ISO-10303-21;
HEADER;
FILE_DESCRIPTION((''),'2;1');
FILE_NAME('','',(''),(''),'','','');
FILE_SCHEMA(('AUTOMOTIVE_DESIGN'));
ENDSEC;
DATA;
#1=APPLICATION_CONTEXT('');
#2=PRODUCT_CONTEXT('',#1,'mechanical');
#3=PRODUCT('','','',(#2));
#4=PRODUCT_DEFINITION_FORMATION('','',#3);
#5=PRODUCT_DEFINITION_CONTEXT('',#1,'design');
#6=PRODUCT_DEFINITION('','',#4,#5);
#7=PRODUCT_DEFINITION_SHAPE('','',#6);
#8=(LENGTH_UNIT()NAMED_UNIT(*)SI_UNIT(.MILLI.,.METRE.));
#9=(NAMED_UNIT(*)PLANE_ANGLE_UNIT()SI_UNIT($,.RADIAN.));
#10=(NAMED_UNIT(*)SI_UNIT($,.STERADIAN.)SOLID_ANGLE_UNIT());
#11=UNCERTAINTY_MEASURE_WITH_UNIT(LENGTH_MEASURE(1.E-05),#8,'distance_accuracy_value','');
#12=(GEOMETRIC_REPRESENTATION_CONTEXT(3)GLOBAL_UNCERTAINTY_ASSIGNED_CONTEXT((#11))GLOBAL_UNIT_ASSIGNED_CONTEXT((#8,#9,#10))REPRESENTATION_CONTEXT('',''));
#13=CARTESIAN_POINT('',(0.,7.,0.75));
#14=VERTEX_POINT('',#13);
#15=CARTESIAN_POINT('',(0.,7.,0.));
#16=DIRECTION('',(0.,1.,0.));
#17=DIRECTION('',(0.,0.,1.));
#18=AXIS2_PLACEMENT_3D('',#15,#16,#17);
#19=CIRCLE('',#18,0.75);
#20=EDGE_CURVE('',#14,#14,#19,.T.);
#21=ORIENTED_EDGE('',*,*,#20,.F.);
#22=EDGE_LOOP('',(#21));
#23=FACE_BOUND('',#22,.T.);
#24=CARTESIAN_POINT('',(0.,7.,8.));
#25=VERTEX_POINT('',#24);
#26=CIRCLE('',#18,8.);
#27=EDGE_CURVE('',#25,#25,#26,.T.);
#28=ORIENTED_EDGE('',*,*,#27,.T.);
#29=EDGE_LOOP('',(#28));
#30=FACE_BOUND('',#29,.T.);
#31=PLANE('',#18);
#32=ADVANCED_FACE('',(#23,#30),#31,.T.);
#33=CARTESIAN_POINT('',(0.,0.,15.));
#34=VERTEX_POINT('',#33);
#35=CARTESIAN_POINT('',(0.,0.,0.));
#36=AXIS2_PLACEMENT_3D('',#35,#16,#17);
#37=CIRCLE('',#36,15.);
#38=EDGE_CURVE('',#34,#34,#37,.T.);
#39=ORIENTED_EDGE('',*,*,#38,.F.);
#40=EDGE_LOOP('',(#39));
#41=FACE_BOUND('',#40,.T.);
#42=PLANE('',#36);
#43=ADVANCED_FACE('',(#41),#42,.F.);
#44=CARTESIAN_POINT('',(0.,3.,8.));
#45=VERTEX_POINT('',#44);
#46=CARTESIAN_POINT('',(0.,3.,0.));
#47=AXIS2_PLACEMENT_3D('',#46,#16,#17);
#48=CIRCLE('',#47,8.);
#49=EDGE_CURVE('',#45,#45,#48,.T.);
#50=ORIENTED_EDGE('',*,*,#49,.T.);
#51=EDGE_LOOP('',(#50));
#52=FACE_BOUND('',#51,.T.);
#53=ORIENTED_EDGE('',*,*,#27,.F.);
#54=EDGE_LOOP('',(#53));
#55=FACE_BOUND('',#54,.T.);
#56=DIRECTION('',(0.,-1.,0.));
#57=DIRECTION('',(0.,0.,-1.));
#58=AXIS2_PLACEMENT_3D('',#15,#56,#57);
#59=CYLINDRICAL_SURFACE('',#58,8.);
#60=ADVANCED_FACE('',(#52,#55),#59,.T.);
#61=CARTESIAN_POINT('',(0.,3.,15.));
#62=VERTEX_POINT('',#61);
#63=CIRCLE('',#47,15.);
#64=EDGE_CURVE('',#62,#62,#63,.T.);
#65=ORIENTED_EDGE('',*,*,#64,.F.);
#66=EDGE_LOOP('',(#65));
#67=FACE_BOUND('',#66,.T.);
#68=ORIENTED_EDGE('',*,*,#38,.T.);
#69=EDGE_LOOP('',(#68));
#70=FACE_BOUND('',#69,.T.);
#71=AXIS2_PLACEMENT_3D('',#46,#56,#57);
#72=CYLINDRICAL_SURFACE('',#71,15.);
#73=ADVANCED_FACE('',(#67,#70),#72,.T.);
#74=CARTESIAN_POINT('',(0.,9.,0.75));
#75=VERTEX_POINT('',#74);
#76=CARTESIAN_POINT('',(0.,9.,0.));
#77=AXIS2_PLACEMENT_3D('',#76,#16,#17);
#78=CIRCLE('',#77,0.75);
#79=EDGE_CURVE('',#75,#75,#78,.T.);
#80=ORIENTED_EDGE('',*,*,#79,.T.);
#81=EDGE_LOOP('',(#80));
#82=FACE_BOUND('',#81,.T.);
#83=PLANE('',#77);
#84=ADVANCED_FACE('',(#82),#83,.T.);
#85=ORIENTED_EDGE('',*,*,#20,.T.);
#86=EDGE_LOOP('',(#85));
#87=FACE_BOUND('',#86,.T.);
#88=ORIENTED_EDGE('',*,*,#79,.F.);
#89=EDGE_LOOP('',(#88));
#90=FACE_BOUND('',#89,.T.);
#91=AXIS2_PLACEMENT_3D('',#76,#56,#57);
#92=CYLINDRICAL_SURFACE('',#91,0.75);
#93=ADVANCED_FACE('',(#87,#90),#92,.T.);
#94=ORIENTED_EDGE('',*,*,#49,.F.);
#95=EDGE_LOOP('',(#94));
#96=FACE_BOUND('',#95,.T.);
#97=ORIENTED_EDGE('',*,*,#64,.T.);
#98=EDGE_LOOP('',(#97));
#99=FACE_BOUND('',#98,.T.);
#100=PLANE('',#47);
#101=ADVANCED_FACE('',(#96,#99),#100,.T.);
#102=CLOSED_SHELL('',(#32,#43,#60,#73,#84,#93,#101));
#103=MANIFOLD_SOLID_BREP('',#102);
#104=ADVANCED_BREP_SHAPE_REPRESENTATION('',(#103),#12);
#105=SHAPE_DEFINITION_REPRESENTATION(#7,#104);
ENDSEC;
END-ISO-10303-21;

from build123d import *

# Parameters (mm, degrees)
SKETCH_1_R      = 15
EXTRUDE_1_DEPTH = 3
SKETCH_2_R      = 8
EXTRUDE_2_DEPTH = 4
SKETCH_3_R      = 0.75
EXTRUDE_3_DEPTH = 2


with BuildPart() as part:
    # 草图1 → 凸台-拉伸1 (new body)
    with BuildSketch(Plane(origin=(0, 0, 0), x_dir=(1, 0, 0), z_dir=(0, 1, 0))):
        Circle(SKETCH_1_R)
    extrude(amount=EXTRUDE_1_DEPTH)

    # 草图2 → 凸台-拉伸2 (add)
    with BuildSketch(Plane(origin=(0, 3, 0), x_dir=(1, 0, 0), z_dir=(0, 1, 0))):
        Circle(SKETCH_2_R)
    extrude(amount=EXTRUDE_2_DEPTH)

    # 草图3 → 凸台-拉伸3 (add)
    with BuildSketch(Plane(origin=(0, 7, 0), x_dir=(1, 0, 0), z_dir=(0, 1, 0))):
        Circle(SKETCH_3_R)
    extrude(amount=EXTRUDE_3_DEPTH)


solid = part.part
